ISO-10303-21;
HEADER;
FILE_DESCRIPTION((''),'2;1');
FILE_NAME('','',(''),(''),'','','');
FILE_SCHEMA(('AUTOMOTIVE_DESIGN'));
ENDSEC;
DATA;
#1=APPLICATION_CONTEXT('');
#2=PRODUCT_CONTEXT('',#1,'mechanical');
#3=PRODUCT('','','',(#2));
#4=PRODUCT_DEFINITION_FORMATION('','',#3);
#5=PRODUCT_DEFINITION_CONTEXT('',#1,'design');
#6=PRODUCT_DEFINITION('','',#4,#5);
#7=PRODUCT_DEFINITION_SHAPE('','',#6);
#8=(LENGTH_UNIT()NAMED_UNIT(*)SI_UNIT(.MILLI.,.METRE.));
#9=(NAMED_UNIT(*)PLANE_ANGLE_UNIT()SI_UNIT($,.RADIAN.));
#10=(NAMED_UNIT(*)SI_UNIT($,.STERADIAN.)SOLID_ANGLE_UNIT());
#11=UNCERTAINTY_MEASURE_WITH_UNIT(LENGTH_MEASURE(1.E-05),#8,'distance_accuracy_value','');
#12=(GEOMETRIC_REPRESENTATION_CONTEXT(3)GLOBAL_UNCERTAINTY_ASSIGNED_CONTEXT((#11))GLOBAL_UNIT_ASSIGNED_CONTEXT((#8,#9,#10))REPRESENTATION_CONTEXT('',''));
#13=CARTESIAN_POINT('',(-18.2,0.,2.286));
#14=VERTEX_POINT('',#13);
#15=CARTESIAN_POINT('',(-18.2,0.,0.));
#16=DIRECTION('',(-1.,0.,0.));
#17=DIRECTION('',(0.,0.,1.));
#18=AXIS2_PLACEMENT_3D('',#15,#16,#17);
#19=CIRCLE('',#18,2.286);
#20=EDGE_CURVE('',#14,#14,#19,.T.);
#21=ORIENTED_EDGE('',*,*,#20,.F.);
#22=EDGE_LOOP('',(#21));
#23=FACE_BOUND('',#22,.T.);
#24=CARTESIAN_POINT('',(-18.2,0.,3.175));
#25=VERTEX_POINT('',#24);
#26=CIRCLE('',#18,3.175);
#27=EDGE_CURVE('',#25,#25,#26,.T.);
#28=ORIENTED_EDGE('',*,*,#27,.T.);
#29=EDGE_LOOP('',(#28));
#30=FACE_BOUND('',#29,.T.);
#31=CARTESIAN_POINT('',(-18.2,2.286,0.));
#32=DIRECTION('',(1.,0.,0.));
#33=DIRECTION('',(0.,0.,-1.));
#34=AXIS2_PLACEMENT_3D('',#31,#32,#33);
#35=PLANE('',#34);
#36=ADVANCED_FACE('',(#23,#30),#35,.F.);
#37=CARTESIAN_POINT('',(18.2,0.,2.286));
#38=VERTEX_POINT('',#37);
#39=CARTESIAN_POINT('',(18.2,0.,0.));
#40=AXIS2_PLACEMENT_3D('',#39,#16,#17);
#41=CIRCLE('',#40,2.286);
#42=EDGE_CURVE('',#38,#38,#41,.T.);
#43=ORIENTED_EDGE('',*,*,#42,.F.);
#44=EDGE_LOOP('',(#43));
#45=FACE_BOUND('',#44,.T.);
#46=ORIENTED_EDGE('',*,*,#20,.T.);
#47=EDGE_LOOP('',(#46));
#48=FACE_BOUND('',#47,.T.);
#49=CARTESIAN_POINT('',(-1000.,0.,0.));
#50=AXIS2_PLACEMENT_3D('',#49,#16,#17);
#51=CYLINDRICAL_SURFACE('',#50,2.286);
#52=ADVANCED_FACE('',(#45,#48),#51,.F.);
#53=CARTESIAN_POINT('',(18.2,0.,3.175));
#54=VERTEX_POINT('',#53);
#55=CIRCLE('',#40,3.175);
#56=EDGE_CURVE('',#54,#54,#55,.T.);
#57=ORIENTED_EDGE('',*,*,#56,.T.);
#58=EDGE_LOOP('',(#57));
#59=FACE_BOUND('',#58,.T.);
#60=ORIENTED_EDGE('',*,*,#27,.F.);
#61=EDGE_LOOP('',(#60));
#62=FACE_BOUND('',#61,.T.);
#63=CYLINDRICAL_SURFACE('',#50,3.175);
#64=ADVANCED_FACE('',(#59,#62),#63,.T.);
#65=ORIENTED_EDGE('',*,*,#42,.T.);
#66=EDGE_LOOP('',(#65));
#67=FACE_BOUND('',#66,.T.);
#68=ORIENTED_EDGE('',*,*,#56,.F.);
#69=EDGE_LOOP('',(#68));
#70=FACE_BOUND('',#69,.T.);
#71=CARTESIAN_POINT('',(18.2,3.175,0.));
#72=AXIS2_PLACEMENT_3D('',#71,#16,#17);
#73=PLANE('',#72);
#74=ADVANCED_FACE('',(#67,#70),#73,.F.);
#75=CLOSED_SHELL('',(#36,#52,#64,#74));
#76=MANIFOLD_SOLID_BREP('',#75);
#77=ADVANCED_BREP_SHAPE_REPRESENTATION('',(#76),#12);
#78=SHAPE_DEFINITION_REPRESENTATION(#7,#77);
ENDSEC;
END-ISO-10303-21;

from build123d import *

# Parameters (mm, degrees)
TUBE_T4_STUB_SKETCH_W = 36.4
TUBE_T4_STUB_SKETCH_H = 0.889


with BuildPart() as part:
    # Tube_T4_Stub Sketch → Tube_T4_Stub (revolve)
    with BuildSketch(Plane.XY):
        with Locations((0, 2.7305)):
            Rectangle(TUBE_T4_STUB_SKETCH_W, TUBE_T4_STUB_SKETCH_H)
    revolve(axis=Axis((-1000, 0, 0), (1, 0, 0)))


solid = part.part
